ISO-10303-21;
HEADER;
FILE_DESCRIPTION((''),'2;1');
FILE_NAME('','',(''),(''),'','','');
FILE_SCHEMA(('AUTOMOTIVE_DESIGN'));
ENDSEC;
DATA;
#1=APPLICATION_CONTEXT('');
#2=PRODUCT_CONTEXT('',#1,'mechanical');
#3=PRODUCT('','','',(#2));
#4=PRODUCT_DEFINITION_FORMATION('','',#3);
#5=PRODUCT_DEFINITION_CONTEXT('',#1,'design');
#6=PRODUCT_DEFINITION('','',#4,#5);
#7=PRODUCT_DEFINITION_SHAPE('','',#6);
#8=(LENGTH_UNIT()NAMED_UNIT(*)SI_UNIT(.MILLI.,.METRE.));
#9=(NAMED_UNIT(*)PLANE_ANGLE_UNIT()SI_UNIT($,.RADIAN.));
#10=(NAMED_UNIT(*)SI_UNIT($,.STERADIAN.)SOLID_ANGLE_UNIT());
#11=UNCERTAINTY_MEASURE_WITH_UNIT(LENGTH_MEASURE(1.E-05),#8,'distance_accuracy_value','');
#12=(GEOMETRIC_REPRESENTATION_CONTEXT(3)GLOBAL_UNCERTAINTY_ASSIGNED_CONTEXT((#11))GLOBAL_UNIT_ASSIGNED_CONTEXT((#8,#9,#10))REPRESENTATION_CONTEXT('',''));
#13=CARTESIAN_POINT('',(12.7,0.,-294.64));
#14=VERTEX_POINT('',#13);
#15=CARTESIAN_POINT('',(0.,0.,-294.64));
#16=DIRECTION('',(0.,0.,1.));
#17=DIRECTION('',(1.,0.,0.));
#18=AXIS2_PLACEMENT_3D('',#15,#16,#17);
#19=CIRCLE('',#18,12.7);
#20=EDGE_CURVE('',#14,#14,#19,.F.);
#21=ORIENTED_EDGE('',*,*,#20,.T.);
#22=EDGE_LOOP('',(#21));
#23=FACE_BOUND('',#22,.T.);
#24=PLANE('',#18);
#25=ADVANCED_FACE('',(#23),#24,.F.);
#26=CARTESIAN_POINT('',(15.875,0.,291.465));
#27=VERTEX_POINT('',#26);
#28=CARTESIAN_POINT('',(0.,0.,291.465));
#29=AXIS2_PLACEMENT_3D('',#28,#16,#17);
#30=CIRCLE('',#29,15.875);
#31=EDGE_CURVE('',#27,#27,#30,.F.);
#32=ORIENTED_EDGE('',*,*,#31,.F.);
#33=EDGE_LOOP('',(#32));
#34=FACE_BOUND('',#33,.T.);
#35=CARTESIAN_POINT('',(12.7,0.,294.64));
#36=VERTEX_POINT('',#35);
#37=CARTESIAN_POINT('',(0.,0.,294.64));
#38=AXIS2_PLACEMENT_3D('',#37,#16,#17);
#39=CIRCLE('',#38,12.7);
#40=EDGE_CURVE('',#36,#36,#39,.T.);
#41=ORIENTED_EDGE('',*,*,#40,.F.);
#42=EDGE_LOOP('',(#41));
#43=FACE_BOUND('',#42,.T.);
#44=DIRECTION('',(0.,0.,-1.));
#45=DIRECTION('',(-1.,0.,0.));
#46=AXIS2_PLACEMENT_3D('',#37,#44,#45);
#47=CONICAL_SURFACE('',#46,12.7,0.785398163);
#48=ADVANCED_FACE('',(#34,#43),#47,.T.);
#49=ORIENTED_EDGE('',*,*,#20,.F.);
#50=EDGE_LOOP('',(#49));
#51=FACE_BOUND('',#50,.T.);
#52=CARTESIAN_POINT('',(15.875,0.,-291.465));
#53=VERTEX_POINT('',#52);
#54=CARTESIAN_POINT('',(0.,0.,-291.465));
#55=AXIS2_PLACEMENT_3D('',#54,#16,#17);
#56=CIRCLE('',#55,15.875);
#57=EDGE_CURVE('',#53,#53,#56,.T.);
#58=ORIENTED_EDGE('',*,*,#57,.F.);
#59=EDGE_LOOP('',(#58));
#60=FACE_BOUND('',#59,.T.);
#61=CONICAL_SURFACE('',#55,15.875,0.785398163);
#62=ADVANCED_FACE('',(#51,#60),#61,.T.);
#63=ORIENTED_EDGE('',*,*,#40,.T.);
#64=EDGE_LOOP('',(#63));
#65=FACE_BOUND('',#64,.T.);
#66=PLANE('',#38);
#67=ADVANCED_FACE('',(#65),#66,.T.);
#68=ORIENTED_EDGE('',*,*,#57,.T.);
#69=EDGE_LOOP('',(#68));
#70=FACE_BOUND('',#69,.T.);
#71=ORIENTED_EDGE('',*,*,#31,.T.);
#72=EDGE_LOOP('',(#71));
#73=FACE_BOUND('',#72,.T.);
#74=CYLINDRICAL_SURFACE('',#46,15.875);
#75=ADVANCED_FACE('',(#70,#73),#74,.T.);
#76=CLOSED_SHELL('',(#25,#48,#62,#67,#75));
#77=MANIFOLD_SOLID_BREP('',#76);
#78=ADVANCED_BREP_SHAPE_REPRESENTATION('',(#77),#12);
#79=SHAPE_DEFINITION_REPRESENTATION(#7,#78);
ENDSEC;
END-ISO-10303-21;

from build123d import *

# Parameters (mm, degrees)
SKETCH1_R      = 15.875
EXTRUDE1_DEPTH = 294.64
CHAMFER1_SIZE  = 3.175


with BuildPart() as part:
    # Sketch1 → Extrude1 (new body, symmetric)
    with BuildSketch(Plane.XY):
        Circle(SKETCH1_R)
    extrude(amount=EXTRUDE1_DEPTH, both=True)

    # Chamfer1
    chamfer1_edges = [part.edges().sort_by_distance(p)[0] for p in [
        (-15.875, 0, -294.64),
        (-15.875, 0, 294.64),
    ]]
    chamfer(chamfer1_edges, length=CHAMFER1_SIZE)


solid = part.part
